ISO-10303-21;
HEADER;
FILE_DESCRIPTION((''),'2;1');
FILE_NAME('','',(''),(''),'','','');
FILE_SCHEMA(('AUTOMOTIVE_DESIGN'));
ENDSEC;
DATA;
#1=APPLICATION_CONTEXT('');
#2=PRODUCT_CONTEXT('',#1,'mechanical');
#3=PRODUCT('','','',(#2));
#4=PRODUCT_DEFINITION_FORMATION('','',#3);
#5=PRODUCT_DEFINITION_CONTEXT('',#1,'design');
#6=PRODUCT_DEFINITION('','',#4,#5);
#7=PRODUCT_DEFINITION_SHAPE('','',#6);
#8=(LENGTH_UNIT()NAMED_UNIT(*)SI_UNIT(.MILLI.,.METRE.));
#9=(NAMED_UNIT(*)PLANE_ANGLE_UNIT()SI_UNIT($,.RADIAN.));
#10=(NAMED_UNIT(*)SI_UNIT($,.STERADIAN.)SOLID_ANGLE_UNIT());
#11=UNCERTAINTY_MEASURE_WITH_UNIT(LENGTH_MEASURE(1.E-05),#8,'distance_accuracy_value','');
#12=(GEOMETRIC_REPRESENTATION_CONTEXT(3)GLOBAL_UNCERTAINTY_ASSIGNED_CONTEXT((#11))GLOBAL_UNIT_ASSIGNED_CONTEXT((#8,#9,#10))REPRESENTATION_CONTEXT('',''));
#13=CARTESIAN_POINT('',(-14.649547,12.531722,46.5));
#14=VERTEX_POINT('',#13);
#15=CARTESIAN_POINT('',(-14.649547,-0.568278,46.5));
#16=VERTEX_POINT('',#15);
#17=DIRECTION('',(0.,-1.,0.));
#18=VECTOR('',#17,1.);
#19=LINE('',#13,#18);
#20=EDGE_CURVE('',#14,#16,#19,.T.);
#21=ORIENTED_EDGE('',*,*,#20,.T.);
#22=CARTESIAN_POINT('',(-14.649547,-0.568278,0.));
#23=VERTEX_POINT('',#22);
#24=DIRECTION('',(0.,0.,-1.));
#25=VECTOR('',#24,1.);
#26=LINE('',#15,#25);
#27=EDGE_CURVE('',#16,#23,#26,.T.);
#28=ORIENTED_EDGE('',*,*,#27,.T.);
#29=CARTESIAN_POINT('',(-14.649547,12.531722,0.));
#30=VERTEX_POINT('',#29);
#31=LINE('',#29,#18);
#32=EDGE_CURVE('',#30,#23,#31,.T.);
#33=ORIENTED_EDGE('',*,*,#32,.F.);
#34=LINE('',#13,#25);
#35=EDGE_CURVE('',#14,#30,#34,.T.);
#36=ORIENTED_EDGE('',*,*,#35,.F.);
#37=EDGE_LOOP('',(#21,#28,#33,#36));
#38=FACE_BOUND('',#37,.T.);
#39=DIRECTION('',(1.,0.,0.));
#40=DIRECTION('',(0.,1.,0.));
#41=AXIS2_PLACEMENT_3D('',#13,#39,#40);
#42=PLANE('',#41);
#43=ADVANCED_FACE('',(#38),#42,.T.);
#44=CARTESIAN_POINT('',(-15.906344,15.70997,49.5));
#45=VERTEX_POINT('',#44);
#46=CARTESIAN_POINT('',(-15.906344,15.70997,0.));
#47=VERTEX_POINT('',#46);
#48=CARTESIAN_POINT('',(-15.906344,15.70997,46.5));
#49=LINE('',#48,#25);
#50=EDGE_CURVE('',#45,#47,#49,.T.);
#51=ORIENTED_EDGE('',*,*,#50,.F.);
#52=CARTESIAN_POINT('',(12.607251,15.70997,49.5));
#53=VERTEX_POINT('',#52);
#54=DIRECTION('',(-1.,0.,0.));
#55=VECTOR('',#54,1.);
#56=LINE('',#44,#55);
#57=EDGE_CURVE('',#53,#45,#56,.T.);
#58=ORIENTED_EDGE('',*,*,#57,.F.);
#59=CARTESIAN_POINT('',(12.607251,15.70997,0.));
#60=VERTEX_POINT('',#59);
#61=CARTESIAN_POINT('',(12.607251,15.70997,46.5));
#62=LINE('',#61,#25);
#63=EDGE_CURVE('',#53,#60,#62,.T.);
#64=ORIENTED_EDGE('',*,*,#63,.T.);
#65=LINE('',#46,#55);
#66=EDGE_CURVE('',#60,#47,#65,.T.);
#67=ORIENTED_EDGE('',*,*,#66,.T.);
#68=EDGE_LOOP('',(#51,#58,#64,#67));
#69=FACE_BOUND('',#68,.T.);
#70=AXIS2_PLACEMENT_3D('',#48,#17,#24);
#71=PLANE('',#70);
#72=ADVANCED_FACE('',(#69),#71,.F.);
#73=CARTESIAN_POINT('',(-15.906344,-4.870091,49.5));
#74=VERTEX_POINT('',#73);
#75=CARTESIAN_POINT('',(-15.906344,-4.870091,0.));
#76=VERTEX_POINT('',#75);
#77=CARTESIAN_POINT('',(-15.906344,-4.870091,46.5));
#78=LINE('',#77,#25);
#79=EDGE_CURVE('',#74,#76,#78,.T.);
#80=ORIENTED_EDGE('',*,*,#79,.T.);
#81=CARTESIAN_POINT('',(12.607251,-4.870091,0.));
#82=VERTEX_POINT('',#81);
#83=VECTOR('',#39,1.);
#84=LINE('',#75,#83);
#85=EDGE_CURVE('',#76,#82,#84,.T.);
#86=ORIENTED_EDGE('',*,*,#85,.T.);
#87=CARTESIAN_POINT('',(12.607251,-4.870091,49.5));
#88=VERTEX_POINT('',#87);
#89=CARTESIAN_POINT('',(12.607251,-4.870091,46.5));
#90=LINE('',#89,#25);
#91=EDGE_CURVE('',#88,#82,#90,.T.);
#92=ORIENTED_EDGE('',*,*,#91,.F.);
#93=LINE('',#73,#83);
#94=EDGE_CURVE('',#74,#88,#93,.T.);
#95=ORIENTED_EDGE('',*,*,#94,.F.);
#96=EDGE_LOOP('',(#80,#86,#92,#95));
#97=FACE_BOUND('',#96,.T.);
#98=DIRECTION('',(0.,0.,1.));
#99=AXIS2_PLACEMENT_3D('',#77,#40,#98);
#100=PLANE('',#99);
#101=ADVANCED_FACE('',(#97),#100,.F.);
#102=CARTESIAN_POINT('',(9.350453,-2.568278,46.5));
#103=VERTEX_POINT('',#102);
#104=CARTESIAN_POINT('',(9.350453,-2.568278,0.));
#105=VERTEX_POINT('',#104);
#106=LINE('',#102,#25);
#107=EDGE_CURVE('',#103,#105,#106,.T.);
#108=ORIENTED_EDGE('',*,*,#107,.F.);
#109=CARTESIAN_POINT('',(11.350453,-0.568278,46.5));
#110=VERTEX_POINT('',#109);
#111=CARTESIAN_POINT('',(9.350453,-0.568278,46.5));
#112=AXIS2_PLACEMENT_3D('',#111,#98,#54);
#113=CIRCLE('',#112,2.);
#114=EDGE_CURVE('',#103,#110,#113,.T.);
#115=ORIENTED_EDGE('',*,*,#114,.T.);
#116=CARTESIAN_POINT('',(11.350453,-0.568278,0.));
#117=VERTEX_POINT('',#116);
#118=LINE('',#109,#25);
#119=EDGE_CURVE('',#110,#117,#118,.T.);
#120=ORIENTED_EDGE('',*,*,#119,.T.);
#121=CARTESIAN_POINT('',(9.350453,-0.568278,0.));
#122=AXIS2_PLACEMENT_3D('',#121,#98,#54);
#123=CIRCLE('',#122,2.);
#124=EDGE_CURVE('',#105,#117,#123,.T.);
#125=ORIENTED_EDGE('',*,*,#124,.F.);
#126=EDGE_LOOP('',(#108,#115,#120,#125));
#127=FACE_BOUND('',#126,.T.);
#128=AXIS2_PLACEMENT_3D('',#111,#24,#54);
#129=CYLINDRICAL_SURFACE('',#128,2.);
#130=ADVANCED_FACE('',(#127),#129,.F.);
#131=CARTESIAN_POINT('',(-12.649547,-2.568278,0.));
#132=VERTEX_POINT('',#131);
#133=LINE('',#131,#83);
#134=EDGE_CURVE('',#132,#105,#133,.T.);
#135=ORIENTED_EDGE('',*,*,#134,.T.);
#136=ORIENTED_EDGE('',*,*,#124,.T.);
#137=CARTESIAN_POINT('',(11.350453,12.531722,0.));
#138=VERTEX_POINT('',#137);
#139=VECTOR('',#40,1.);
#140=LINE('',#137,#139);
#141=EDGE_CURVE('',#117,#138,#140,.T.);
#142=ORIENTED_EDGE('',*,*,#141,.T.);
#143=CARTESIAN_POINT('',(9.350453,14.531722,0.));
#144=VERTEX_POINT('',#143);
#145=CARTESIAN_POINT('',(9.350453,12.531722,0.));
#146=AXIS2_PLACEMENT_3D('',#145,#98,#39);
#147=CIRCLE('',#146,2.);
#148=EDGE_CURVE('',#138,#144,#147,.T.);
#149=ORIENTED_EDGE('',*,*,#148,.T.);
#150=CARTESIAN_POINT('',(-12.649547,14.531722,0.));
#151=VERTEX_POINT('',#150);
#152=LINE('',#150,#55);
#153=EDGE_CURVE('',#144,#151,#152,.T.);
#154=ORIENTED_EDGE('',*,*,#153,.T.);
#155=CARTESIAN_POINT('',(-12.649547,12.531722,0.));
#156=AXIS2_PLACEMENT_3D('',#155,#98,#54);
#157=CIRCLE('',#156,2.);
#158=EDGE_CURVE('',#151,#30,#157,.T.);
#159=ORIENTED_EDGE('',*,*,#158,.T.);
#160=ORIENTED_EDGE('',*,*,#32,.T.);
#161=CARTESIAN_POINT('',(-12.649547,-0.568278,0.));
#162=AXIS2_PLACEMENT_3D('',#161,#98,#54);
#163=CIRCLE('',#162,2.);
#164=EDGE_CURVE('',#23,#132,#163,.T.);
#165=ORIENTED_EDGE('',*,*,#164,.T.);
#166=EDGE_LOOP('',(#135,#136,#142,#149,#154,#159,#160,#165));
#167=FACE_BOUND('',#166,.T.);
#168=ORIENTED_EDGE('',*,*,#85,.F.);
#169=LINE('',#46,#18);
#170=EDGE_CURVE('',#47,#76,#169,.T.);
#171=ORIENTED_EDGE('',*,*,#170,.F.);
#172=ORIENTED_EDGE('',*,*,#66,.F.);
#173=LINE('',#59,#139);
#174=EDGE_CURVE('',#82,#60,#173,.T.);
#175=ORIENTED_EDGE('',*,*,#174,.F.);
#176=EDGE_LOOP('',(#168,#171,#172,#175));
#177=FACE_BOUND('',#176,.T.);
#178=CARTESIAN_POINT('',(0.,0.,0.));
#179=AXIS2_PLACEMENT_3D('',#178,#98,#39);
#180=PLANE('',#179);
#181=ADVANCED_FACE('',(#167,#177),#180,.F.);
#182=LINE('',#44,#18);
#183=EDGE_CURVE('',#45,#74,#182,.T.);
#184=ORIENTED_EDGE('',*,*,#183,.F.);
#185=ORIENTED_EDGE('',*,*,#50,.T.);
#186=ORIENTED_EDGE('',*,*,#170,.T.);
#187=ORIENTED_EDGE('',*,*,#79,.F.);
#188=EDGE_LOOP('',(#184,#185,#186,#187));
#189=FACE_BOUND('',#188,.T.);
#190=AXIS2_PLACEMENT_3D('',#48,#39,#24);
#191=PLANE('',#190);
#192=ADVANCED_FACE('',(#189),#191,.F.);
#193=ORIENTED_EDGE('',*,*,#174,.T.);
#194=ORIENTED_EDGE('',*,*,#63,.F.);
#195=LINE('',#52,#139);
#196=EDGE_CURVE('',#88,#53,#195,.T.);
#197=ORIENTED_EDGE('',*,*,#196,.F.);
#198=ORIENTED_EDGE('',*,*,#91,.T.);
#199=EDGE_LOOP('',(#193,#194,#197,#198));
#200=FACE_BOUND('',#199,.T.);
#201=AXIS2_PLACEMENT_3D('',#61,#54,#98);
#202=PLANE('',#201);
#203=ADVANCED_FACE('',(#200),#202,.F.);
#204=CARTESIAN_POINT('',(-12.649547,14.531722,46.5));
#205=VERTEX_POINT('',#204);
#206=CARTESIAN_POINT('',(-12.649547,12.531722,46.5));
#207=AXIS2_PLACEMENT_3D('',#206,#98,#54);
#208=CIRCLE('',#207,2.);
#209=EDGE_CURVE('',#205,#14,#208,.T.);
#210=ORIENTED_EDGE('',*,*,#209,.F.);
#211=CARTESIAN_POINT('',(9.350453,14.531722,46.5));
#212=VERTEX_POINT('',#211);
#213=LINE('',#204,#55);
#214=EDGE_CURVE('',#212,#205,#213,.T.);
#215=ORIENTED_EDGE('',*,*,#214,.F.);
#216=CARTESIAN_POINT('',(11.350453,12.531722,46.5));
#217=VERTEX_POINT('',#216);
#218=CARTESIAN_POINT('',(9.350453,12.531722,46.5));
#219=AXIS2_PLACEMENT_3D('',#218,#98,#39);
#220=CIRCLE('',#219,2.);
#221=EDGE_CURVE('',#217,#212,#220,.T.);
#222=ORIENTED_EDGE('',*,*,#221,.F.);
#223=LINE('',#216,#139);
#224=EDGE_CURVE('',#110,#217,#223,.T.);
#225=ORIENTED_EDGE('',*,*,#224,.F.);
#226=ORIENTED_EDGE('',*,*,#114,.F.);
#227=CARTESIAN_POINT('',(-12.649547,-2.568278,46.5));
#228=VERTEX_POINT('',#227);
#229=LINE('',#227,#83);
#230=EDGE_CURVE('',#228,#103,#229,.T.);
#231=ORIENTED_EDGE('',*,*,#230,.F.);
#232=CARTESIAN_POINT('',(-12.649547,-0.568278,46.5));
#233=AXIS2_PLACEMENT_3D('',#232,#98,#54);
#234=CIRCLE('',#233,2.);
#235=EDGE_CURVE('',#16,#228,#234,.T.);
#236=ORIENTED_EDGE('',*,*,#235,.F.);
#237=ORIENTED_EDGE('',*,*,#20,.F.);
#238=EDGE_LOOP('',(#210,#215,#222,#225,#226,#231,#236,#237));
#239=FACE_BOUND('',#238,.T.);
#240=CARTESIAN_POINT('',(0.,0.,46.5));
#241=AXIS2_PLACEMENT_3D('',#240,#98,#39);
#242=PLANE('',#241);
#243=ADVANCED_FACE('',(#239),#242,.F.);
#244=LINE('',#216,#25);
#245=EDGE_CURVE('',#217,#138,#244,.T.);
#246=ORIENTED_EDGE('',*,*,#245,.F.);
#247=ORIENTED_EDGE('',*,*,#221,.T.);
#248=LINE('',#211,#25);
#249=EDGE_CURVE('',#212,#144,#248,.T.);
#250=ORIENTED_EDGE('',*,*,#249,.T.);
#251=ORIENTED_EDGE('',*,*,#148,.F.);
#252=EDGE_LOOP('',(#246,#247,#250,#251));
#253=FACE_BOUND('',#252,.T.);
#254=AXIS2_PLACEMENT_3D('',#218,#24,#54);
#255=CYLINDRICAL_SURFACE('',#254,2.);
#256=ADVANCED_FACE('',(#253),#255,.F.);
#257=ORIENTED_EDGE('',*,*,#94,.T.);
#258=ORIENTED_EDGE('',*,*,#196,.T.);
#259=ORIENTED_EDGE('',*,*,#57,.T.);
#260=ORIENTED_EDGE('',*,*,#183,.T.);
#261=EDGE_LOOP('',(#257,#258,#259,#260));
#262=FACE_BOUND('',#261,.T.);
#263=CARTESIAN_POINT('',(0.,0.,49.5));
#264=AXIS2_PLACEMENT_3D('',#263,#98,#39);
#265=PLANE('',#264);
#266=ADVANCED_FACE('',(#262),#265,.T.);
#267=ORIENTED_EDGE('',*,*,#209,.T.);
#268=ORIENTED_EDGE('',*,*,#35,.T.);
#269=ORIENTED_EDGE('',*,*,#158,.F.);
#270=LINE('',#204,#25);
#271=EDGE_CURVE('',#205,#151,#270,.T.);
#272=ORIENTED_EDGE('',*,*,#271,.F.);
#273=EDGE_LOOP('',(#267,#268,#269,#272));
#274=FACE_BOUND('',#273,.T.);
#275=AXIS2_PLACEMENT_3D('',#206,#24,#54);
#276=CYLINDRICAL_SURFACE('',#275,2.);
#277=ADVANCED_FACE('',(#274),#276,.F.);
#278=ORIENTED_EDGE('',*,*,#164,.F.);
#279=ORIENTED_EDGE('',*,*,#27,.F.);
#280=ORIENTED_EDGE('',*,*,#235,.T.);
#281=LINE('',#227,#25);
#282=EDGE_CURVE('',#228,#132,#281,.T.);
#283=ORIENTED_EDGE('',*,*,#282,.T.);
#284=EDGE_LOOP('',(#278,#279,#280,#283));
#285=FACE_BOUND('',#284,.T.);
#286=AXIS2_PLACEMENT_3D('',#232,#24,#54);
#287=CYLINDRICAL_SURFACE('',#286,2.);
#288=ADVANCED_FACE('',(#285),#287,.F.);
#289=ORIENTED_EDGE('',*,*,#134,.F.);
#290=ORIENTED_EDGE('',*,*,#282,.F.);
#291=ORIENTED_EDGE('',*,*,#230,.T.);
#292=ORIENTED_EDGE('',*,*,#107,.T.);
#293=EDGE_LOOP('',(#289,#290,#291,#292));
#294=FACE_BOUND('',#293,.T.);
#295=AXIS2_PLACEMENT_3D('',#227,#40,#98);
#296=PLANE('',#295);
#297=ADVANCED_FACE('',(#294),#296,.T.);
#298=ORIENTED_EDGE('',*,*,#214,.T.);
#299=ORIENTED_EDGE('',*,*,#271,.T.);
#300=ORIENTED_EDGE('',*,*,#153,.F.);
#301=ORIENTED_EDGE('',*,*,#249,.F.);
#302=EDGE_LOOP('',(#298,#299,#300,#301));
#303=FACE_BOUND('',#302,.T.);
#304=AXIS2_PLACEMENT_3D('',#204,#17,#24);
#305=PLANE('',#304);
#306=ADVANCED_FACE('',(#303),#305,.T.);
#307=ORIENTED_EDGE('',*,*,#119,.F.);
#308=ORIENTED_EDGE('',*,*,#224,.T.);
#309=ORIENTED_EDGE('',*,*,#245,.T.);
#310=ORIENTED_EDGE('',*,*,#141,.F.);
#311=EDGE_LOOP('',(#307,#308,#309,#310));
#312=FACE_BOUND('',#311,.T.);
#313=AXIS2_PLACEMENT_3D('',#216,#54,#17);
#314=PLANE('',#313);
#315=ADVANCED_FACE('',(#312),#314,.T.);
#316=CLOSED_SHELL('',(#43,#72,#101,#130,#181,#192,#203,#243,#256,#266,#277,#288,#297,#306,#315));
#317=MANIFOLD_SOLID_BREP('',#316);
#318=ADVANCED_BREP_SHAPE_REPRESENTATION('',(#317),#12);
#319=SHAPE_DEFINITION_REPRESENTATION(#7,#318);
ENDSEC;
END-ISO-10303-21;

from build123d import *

# Parameters (mm, degrees)
SKETCH2_W           = 28.513595166
SKETCH2_H           = 20.580060423
BOSS_EXTRUDE1_DEPTH = 46.5
SKETCH3_W           = 28.513595166
SKETCH3_H           = 20.580060423
BOSS_EXTRUDE2_DEPTH = 3


with BuildPart() as part:
    # Sketch2 → Boss-Extrude1 (new body)
    with BuildSketch(Plane.XY):
        with Locations((-1.649546828, 5.419939578)):
            Rectangle(SKETCH2_W, SKETCH2_H)
        with BuildLine():
            Line((-12.649546828, 14.531722054), (9.350453172, 14.531722054))
            ThreePointArc((9.350453172, 14.531722054), (10.764666735, 13.945935617), (11.350453172, 12.531722054))
            Line((11.350453172, 12.531722054), (11.350453172, -0.568277946))
            ThreePointArc((11.350453172, -0.568277946), (10.764666735, -1.982491508), (9.350453172, -2.568277946))
            Line((9.350453172, -2.568277946), (-12.649546828, -2.568277946))
            ThreePointArc((-12.649546828, -2.568277946), (-14.06376039, -1.982491508), (-14.649546828, -0.568277946))
            Line((-14.649546828, -0.568277946), (-14.649546828, 12.531722054))
            ThreePointArc((-14.649546828, 12.531722054), (-14.06376039, 13.945935617), (-12.649546828, 14.531722054))
        make_face(mode=Mode.SUBTRACT)
    extrude(amount=BOSS_EXTRUDE1_DEPTH)

    # Sketch3 → Boss-Extrude2 (add)
    with BuildSketch(Plane.XY.offset(46.5)):
        with Locations((-1.649546828, 5.419939578)):
            Rectangle(SKETCH3_W, SKETCH3_H)
    extrude(amount=BOSS_EXTRUDE2_DEPTH)


solid = part.part
